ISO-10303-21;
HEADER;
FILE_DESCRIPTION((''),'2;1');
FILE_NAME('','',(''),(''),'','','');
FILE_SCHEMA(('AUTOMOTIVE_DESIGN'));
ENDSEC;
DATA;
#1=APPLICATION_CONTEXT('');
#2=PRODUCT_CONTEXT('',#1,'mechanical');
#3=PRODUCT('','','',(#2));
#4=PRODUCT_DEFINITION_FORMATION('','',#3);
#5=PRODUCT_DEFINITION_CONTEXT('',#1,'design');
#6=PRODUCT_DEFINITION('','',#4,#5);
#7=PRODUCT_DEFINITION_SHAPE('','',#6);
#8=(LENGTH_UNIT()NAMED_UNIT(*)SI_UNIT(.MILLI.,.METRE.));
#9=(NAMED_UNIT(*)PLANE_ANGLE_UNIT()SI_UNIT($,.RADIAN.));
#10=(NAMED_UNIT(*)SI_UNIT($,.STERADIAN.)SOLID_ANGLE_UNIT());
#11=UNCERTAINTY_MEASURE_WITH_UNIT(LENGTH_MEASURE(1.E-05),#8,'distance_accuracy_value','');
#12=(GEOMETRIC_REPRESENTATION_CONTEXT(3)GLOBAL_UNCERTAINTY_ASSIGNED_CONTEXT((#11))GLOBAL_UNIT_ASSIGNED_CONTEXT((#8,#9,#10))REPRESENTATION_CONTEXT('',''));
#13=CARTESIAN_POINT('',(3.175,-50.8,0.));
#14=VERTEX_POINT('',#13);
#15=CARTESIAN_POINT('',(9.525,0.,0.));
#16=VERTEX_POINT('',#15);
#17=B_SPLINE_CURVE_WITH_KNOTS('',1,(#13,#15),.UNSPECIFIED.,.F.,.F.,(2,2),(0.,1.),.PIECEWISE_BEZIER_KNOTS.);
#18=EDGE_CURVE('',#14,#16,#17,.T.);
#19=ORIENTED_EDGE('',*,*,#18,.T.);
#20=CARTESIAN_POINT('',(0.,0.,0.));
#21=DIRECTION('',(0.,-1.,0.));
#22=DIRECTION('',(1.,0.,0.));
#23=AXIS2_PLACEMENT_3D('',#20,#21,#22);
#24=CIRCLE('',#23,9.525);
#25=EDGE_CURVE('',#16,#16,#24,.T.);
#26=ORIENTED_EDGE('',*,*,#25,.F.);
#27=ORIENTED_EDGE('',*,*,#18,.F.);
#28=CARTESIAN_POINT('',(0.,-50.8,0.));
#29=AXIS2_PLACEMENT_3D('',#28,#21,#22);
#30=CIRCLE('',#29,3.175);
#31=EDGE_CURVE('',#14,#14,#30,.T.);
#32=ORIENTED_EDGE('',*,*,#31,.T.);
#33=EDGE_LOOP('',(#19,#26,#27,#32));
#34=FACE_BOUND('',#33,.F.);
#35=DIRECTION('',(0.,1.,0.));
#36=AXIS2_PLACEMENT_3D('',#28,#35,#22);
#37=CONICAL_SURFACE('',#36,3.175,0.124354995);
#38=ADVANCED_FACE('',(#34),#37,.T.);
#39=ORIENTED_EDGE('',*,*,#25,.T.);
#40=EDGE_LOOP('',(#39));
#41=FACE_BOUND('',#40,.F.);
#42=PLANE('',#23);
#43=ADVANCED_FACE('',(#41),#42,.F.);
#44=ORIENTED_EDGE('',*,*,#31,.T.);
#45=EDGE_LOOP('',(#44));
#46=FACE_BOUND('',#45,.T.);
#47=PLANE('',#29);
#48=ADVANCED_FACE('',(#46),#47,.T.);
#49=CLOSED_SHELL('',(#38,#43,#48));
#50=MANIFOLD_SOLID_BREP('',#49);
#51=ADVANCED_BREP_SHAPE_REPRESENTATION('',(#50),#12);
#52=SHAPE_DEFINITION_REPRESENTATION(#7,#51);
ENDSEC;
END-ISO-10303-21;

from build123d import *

# Parameters (mm, degrees)
F2_R = 3.175
F0_R = 9.525


with BuildPart() as f3:
    # F2 (on offset) → F3 section 0
    with BuildSketch(Plane.XZ.offset(50.8)):
        Circle(F2_R)
    # F0 (on Front) → F3 section 1
    with BuildSketch(Plane.XZ):
        Circle(F0_R)
    loft()


solid = f3.part
